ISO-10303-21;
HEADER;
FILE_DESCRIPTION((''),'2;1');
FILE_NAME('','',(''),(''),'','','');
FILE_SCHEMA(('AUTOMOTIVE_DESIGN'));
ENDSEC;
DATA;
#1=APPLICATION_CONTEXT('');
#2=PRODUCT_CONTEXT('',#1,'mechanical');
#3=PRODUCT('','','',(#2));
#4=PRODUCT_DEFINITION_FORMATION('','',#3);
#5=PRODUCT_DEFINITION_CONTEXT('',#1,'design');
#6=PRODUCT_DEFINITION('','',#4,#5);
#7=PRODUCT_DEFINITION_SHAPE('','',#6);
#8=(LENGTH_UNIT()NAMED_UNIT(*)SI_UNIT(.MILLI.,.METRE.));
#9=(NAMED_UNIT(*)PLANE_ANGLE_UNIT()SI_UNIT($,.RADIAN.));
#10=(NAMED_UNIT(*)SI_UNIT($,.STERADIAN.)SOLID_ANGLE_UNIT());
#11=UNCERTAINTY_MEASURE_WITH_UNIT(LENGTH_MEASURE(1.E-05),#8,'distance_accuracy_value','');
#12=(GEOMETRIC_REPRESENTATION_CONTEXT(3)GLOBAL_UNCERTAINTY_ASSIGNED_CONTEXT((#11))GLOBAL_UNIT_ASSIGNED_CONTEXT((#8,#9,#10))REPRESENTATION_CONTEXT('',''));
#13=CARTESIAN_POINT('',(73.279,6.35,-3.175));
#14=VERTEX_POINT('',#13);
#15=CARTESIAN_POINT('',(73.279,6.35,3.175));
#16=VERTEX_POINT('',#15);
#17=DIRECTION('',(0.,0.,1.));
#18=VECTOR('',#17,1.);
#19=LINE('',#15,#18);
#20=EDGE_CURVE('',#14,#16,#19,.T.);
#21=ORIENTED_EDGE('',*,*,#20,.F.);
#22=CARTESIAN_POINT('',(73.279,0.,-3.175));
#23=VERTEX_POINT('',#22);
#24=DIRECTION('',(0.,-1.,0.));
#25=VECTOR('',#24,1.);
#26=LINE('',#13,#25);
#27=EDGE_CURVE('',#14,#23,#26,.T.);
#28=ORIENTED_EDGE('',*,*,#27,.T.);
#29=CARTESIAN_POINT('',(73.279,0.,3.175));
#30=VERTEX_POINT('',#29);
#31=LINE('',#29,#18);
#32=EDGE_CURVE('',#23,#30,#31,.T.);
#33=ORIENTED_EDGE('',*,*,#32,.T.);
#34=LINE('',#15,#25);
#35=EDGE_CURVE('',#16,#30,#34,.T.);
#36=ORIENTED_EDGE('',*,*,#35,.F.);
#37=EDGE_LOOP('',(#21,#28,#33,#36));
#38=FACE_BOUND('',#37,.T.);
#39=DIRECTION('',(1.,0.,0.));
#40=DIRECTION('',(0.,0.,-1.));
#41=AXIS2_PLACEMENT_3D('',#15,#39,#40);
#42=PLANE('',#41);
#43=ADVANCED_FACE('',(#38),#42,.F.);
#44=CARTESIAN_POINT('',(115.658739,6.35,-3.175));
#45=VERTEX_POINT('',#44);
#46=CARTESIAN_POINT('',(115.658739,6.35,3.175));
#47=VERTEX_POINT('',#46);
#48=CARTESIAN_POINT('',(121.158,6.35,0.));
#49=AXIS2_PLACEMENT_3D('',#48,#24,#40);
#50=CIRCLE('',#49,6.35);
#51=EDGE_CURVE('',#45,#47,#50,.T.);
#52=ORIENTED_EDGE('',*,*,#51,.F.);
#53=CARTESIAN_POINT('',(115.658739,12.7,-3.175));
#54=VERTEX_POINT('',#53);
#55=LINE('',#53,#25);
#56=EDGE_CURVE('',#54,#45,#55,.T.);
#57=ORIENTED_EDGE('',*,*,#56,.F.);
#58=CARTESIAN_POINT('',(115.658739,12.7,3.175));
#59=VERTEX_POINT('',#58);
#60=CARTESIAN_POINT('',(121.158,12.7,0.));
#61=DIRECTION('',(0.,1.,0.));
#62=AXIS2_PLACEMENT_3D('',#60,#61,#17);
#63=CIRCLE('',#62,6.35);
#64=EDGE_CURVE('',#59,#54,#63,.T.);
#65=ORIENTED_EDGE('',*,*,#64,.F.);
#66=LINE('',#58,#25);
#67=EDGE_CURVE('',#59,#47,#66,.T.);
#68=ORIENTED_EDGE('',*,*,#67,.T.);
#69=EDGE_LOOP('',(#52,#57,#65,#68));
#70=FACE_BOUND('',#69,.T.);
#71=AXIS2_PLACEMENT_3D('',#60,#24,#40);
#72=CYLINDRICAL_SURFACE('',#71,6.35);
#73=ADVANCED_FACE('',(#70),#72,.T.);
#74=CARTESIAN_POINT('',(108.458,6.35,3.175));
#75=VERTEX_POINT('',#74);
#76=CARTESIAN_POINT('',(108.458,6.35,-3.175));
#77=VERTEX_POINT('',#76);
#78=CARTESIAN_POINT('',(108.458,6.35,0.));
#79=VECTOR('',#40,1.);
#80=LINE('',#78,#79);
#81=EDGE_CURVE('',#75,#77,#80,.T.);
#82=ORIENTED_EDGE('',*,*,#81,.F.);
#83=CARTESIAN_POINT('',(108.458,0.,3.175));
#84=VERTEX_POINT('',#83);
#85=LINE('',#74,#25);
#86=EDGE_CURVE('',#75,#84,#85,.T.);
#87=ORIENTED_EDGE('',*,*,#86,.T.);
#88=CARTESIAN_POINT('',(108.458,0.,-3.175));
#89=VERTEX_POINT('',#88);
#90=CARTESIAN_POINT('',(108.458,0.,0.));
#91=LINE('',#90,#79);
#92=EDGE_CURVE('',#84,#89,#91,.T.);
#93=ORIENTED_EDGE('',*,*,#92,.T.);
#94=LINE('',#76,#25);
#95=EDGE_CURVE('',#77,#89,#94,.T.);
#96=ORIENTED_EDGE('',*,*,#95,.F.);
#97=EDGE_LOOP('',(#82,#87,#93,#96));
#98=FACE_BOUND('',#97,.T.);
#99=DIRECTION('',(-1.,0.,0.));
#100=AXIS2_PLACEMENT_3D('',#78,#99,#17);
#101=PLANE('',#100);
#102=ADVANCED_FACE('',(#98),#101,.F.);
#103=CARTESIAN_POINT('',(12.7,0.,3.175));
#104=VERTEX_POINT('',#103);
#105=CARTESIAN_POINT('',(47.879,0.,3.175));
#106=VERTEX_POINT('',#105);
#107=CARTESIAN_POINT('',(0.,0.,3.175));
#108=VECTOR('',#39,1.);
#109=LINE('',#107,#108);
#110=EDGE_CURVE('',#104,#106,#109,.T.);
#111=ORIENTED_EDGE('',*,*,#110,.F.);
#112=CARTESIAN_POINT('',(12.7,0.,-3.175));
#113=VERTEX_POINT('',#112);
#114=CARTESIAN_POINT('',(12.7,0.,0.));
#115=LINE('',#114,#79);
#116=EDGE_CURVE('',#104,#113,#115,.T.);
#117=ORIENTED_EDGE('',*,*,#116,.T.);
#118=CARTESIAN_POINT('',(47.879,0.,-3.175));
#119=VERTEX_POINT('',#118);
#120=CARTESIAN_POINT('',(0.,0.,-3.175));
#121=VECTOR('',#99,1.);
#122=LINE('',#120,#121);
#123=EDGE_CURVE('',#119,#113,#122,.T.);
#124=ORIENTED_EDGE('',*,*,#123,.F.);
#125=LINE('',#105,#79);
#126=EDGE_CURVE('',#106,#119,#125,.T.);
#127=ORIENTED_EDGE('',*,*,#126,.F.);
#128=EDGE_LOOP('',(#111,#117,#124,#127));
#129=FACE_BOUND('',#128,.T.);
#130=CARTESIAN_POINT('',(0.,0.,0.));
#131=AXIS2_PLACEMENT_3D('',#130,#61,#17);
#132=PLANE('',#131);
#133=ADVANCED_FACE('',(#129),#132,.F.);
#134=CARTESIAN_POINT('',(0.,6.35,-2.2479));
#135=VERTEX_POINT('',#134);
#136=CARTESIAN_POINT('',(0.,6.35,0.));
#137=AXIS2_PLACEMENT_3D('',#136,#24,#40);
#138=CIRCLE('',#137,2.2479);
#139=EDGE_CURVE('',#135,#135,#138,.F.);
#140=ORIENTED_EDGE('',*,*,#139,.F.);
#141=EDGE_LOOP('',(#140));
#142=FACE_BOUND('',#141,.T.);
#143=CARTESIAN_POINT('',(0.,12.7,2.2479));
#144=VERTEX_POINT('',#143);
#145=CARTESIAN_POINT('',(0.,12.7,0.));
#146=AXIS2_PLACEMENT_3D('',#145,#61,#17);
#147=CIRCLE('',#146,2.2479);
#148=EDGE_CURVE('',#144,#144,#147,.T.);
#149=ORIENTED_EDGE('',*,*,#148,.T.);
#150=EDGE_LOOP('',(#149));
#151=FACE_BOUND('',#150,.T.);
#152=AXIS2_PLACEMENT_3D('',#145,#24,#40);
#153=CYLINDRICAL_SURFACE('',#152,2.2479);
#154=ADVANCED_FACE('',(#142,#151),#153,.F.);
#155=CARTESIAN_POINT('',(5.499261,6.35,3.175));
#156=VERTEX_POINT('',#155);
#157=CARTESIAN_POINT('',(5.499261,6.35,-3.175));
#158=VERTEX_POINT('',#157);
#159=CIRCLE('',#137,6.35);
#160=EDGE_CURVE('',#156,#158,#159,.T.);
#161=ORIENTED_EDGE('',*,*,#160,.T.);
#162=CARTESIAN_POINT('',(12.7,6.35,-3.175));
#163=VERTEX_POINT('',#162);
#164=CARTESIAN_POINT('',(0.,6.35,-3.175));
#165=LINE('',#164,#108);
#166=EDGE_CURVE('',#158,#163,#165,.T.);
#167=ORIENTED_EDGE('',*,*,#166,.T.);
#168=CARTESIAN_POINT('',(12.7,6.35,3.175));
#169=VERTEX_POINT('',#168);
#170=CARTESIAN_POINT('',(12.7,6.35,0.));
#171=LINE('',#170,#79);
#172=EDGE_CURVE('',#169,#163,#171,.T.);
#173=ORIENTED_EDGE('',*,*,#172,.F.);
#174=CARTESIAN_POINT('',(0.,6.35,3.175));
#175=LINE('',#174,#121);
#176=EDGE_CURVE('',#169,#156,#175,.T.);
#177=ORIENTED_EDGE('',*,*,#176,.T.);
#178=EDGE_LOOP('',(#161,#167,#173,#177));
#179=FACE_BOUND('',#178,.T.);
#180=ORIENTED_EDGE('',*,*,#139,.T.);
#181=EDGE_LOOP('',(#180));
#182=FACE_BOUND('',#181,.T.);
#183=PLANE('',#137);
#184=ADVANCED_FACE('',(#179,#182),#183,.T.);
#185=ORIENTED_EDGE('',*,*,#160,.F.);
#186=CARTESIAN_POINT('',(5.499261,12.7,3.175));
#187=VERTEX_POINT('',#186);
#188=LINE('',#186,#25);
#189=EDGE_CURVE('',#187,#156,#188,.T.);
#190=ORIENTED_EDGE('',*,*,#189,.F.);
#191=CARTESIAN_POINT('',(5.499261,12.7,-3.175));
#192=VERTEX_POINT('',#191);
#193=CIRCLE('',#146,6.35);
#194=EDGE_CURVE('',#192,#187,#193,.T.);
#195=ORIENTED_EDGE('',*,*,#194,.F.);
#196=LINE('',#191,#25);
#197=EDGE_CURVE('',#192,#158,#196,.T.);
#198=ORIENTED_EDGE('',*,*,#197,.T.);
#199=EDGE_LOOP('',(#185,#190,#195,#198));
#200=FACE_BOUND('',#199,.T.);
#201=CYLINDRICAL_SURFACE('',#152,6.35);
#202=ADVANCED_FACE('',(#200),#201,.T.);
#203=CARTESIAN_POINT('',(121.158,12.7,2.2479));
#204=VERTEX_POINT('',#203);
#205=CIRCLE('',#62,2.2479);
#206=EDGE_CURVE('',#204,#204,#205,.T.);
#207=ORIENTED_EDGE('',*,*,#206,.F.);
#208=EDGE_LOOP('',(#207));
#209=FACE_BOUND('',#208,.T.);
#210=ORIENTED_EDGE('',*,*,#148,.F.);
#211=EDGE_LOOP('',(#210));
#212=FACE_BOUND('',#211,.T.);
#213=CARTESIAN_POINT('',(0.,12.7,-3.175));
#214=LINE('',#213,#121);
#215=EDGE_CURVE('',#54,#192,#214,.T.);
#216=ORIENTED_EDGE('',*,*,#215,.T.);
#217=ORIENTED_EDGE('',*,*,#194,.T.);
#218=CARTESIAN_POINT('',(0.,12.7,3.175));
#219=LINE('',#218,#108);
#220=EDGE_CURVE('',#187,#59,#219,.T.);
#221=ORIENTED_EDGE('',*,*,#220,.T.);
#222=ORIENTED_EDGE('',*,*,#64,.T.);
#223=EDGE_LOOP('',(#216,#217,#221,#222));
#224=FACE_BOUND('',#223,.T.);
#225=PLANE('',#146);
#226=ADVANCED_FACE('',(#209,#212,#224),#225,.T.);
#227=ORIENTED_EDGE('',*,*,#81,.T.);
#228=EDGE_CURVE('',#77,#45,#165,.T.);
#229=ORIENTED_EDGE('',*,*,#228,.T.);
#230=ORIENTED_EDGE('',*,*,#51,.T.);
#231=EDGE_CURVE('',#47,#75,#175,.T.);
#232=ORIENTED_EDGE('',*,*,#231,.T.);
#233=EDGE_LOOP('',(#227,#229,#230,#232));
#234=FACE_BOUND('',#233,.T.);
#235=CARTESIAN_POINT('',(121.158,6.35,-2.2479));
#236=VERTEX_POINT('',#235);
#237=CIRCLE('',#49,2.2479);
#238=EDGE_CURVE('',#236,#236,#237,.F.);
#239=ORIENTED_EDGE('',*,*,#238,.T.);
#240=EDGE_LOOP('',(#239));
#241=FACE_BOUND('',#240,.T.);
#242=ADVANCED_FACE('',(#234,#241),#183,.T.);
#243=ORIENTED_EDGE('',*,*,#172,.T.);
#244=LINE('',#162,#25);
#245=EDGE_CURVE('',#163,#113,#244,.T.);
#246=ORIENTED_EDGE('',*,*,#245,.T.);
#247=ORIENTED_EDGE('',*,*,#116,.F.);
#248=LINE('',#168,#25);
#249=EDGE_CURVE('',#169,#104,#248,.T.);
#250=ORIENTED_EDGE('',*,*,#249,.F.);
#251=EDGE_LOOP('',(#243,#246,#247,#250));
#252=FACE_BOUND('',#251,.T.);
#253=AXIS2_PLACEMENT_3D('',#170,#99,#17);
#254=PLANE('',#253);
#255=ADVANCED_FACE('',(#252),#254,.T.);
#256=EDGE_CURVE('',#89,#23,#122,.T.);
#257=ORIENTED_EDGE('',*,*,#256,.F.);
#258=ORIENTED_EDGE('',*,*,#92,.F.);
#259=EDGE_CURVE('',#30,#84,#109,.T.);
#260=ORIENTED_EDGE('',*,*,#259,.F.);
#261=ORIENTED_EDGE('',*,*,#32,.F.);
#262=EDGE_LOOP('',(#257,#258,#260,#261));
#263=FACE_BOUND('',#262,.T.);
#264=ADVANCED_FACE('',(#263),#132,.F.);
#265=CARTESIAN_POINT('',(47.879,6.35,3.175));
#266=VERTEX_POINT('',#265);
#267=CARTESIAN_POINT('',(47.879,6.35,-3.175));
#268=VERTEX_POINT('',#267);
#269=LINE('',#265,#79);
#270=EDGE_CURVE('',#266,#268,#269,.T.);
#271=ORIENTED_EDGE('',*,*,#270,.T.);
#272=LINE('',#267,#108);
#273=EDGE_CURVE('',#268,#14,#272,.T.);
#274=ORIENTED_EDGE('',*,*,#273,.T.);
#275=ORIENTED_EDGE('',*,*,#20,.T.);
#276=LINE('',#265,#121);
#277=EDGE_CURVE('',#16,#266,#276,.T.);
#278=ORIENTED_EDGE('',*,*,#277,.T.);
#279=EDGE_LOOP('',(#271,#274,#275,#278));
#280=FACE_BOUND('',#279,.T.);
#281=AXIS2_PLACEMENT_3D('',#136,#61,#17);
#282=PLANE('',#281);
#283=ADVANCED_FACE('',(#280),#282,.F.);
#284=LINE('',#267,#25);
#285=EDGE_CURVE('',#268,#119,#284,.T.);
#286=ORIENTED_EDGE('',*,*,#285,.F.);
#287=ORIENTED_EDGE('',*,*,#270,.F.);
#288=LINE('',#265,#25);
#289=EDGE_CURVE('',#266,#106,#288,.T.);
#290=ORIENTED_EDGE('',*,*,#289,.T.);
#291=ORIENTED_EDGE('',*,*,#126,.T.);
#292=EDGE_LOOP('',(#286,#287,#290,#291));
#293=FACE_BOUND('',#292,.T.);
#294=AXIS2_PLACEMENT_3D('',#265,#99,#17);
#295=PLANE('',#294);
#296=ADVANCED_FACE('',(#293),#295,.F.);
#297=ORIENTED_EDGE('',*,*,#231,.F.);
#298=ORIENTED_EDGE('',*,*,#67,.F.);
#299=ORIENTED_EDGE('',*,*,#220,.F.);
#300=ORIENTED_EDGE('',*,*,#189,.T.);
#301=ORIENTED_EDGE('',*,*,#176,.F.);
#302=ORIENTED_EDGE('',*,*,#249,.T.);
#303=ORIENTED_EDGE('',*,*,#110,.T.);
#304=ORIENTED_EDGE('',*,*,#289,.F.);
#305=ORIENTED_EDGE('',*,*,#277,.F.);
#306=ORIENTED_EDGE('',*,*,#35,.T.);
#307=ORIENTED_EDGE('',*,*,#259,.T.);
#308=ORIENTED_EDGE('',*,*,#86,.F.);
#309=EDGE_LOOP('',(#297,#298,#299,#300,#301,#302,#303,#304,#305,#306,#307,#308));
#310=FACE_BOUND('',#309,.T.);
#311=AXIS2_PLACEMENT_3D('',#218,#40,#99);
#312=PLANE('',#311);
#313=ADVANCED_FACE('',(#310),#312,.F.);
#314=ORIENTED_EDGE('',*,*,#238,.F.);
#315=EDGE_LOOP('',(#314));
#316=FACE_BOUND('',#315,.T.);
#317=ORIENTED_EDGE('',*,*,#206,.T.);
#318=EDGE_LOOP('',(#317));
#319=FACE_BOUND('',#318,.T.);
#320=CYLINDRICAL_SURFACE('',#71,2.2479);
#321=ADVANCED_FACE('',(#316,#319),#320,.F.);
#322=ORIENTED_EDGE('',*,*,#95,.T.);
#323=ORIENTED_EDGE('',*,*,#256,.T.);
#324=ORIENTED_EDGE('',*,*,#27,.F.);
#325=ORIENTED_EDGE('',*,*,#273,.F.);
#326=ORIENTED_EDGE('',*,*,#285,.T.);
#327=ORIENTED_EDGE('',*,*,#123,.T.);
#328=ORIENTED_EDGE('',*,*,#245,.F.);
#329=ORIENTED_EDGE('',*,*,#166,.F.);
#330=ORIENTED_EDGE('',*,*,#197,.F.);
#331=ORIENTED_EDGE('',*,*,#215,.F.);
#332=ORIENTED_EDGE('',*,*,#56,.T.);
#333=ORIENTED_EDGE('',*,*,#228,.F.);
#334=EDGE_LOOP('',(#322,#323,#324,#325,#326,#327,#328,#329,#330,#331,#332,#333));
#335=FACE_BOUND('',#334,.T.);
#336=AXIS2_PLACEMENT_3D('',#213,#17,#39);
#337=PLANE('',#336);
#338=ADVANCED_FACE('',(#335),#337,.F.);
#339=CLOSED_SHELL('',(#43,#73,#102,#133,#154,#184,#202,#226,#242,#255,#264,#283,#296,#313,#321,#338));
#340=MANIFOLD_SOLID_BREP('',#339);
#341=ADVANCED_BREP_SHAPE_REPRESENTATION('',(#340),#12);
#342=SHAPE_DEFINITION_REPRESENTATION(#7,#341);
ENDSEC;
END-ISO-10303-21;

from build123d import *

# Parameters (mm, degrees)
BOSS_EXTRUDE1_DEPTH = 12.7
SKETCH2_R           = 2.2479
CUT_EXTRUDE1_DEPTH  = 6.35
SKETCH3_W           = 25.4
SKETCH3_H           = 6.35
CUT_EXTRUDE2_DEPTH  = 6.35


with BuildPart() as part:
    # Sketch1 → Boss-Extrude1 (new body)
    with BuildSketch(Plane(origin=(0, 0, 0), x_dir=(1, 0, 0), z_dir=(0, 1, 0))):
        with BuildLine():
            ThreePointArc((0, -2.2479), (-2.2479, 0), (0, 2.2479))
            Line((0, 2.2479), (0, 3.175))
            ThreePointArc((0, 3.175), (-3.175, 0), (0, -3.175))
            Line((0, -3.175), (0, -2.2479))
        make_face()
        with BuildLine():
            ThreePointArc((0, -3.175), (-3.175, 0), (0, 3.175))
            Line((0, 3.175), (5.499261314, 3.175))
            ThreePointArc((5.499261314, 3.175), (-6.35, 0), (5.499261314, -3.175))
            Line((5.499261314, -3.175), (0, -3.175))
        make_face()
        with BuildLine():
            ThreePointArc((0, 2.2479), (1.589505333, 1.589505333), (2.2479, 0))
            Line((2.2479, 0), (3.175, 0))
            ThreePointArc((3.175, 0), (2.24506403, 2.24506403), (0, 3.175))
            Line((0, 3.175), (0, 2.2479))
        make_face()
        with BuildLine():
            Line((3.175, 0), (2.2479, 0))
            ThreePointArc((2.2479, 0), (1.589505333, -1.589505333), (0, -2.2479))
            Line((0, -2.2479), (0, -3.175))
            ThreePointArc((0, -3.175), (2.24506403, -2.24506403), (3.175, 0))
        make_face()
        with BuildLine():
            ThreePointArc((0, 3.175), (2.24506403, 2.24506403), (3.175, 0))
            Line((3.175, 0), (6.35, 0))
            ThreePointArc((6.35, 0), (6.133628997, 1.643500936), (5.499261314, 3.175))
            Line((5.499261314, 3.175), (0, 3.175))
        make_face()
        with BuildLine():
            Line((6.35, 0), (3.175, 0))
            ThreePointArc((3.175, 0), (2.24506403, -2.24506403), (0, -3.175))
            Line((0, -3.175), (5.499261314, -3.175))
            ThreePointArc((5.499261314, -3.175), (6.133628997, -1.643500936), (6.35, 0))
        make_face()
        with BuildLine():
            ThreePointArc((5.499261314, 3.175), (6.133628997, 1.643500936), (6.35, 0))
            Line((6.35, 0), (114.808, 0))
            ThreePointArc((114.808, 0), (115.024371003, 1.643500936), (115.658738686, 3.175))
            Line((115.658738686, 3.175), (5.499261314, 3.175))
        make_face()
        with BuildLine():
            Line((114.808, 0), (6.35, 0))
            ThreePointArc((6.35, 0), (6.133628997, -1.643500936), (5.499261314, -3.175))
            Line((5.499261314, -3.175), (115.658738686, -3.175))
            ThreePointArc((115.658738686, -3.175), (115.024371003, -1.643500936), (114.808, 0))
        make_face()
        with BuildLine():
            ThreePointArc((115.658738686, 3.175), (115.024371003, 1.643500936), (114.808, 0))
            Line((114.808, 0), (117.983, 0))
            ThreePointArc((117.983, 0), (118.91293597, 2.24506403), (121.158, 3.175))
            Line((121.158, 3.175), (115.658738686, 3.175))
        make_face()
        with BuildLine():
            Line((117.983, 0), (114.808, 0))
            ThreePointArc((114.808, 0), (115.024371003, -1.643500936), (115.658738686, -3.175))
            Line((115.658738686, -3.175), (121.158, -3.175))
            ThreePointArc((121.158, -3.175), (118.91293597, -2.24506403), (117.983, 0))
        make_face()
        with BuildLine():
            ThreePointArc((121.158, 3.175), (118.91293597, 2.24506403), (117.983, 0))
            Line((117.983, 0), (118.9101, 0))
            ThreePointArc((118.9101, 0), (119.568494667, 1.589505333), (121.158, 2.2479))
            Line((121.158, 2.2479), (121.158, 3.175))
        make_face()
        with BuildLine():
            Line((118.9101, 0), (117.983, 0))
            ThreePointArc((117.983, 0), (118.91293597, -2.24506403), (121.158, -3.175))
            ThreePointArc((121.158, -3.175), (123.40306403, -2.24506403), (124.333, 0))
            ThreePointArc((124.333, 0), (123.40306403, 2.24506403), (121.158, 3.175))
            Line((121.158, 3.175), (121.158, 2.2479))
            ThreePointArc((121.158, 2.2479), (122.747505333, 1.589505333), (123.4059, 0))
            ThreePointArc((123.4059, 0), (121.158, -2.2479), (118.9101, 0))
        make_face()
        with BuildLine():
            ThreePointArc((127.508, 0), (122.801500936, 6.133628997), (115.658738686, 3.175))
            Line((115.658738686, 3.175), (121.158, 3.175))
            ThreePointArc((121.158, 3.175), (123.40306403, 2.24506403), (124.333, 0))
            ThreePointArc((124.333, 0), (123.40306403, -2.24506403), (121.158, -3.175))
            Line((121.158, -3.175), (115.658738686, -3.175))
            ThreePointArc((115.658738686, -3.175), (122.801500936, -6.133628997), (127.508, 0))
        make_face()
    extrude(amount=BOSS_EXTRUDE1_DEPTH)

    # Sketch2 → Cut-Extrude1 (cut)
    # profile 1 of 6: a face of its own
    with BuildSketch(Plane.XZ):
        with BuildLine():
            Line((12.7, -3.175), (12.7, 3.175))
            Line((12.7, 3.175), (5.499261314, 3.175))
            ThreePointArc((5.499261314, 3.175), (6.133628997, 1.643500936), (6.35, 0))
            ThreePointArc((6.35, 0), (6.133628997, -1.643500936), (5.499261314, -3.175))
            Line((5.499261314, -3.175), (12.7, -3.175))
        make_face()
    # profile 2 of 6: a face of its own
    with BuildSketch(Plane.XZ):
        with BuildLine():
            ThreePointArc((6.35, 0), (6.133628997, 1.643500936), (5.499261314, 3.175))
            Line((5.499261314, 3.175), (2.654111014, 3.175))
            Line((2.654111014, 3.175), (2.654111014, -3.175))
            Line((2.654111014, -3.175), (5.499261314, -3.175))
            ThreePointArc((5.499261314, -3.175), (6.133628997, -1.643500936), (6.35, 0))
        make_face()
    # profile 3 of 6: a face of its own
    with BuildSketch(Plane.XZ):
        with BuildLine():
            Line((2.654111014, 3.175), (5.499261314, 3.175))
            ThreePointArc((5.499261314, 3.175), (-6.35, 0), (5.499261314, -3.175))
            Line((5.499261314, -3.175), (2.654111014, -3.175))
            Line((2.654111014, -3.175), (2.654111014, 3.175))
        make_face()
        with Locations(Location((0, 0, 0), (0, 0, 270))):
            Circle(SKETCH2_R, mode=Mode.SUBTRACT)
    # profile 4 of 6: a face of its own
    with BuildSketch(Plane.XZ):
        with BuildLine():
            ThreePointArc((127.508, 0), (122.801500936, 6.133628997), (115.658738686, 3.175))
            Line((115.658738686, 3.175), (118.641772853, 3.175))
            Line((118.641772853, 3.175), (118.641772853, -3.175))
            Line((118.641772853, -3.175), (115.658738686, -3.175))
            ThreePointArc((115.658738686, -3.175), (122.801500936, -6.133628997), (127.508, 0))
        make_face()
        with Locations(Location((121.158, 0, 0), (0, 0, 270))):
            Circle(SKETCH2_R, mode=Mode.SUBTRACT)
    # profile 5 of 6: a face of its own
    with BuildSketch(Plane.XZ):
        with BuildLine():
            Line((115.658738686, 3.175), (108.458, 3.175))
            Line((108.458, 3.175), (108.458, -3.175))
            Line((108.458, -3.175), (115.658738686, -3.175))
            ThreePointArc((115.658738686, -3.175), (114.808, 0), (115.658738686, 3.175))
        make_face()
    # profile 6 of 6: a face of its own
    with BuildSketch(Plane.XZ):
        with BuildLine():
            Line((118.641772853, 3.175), (115.658738686, 3.175))
            ThreePointArc((115.658738686, 3.175), (114.808, 0), (115.658738686, -3.175))
            Line((115.658738686, -3.175), (118.641772853, -3.175))
            Line((118.641772853, -3.175), (118.641772853, 3.175))
        make_face()
    extrude(amount=-CUT_EXTRUDE1_DEPTH, mode=Mode.SUBTRACT)

    # Sketch3 → Cut-Extrude2 (cut)
    with BuildSketch(Plane.XZ):
        with Locations((60.579, 0)):
            Rectangle(SKETCH3_W, SKETCH3_H)
    extrude(amount=-CUT_EXTRUDE2_DEPTH, mode=Mode.SUBTRACT)


solid = part.part
